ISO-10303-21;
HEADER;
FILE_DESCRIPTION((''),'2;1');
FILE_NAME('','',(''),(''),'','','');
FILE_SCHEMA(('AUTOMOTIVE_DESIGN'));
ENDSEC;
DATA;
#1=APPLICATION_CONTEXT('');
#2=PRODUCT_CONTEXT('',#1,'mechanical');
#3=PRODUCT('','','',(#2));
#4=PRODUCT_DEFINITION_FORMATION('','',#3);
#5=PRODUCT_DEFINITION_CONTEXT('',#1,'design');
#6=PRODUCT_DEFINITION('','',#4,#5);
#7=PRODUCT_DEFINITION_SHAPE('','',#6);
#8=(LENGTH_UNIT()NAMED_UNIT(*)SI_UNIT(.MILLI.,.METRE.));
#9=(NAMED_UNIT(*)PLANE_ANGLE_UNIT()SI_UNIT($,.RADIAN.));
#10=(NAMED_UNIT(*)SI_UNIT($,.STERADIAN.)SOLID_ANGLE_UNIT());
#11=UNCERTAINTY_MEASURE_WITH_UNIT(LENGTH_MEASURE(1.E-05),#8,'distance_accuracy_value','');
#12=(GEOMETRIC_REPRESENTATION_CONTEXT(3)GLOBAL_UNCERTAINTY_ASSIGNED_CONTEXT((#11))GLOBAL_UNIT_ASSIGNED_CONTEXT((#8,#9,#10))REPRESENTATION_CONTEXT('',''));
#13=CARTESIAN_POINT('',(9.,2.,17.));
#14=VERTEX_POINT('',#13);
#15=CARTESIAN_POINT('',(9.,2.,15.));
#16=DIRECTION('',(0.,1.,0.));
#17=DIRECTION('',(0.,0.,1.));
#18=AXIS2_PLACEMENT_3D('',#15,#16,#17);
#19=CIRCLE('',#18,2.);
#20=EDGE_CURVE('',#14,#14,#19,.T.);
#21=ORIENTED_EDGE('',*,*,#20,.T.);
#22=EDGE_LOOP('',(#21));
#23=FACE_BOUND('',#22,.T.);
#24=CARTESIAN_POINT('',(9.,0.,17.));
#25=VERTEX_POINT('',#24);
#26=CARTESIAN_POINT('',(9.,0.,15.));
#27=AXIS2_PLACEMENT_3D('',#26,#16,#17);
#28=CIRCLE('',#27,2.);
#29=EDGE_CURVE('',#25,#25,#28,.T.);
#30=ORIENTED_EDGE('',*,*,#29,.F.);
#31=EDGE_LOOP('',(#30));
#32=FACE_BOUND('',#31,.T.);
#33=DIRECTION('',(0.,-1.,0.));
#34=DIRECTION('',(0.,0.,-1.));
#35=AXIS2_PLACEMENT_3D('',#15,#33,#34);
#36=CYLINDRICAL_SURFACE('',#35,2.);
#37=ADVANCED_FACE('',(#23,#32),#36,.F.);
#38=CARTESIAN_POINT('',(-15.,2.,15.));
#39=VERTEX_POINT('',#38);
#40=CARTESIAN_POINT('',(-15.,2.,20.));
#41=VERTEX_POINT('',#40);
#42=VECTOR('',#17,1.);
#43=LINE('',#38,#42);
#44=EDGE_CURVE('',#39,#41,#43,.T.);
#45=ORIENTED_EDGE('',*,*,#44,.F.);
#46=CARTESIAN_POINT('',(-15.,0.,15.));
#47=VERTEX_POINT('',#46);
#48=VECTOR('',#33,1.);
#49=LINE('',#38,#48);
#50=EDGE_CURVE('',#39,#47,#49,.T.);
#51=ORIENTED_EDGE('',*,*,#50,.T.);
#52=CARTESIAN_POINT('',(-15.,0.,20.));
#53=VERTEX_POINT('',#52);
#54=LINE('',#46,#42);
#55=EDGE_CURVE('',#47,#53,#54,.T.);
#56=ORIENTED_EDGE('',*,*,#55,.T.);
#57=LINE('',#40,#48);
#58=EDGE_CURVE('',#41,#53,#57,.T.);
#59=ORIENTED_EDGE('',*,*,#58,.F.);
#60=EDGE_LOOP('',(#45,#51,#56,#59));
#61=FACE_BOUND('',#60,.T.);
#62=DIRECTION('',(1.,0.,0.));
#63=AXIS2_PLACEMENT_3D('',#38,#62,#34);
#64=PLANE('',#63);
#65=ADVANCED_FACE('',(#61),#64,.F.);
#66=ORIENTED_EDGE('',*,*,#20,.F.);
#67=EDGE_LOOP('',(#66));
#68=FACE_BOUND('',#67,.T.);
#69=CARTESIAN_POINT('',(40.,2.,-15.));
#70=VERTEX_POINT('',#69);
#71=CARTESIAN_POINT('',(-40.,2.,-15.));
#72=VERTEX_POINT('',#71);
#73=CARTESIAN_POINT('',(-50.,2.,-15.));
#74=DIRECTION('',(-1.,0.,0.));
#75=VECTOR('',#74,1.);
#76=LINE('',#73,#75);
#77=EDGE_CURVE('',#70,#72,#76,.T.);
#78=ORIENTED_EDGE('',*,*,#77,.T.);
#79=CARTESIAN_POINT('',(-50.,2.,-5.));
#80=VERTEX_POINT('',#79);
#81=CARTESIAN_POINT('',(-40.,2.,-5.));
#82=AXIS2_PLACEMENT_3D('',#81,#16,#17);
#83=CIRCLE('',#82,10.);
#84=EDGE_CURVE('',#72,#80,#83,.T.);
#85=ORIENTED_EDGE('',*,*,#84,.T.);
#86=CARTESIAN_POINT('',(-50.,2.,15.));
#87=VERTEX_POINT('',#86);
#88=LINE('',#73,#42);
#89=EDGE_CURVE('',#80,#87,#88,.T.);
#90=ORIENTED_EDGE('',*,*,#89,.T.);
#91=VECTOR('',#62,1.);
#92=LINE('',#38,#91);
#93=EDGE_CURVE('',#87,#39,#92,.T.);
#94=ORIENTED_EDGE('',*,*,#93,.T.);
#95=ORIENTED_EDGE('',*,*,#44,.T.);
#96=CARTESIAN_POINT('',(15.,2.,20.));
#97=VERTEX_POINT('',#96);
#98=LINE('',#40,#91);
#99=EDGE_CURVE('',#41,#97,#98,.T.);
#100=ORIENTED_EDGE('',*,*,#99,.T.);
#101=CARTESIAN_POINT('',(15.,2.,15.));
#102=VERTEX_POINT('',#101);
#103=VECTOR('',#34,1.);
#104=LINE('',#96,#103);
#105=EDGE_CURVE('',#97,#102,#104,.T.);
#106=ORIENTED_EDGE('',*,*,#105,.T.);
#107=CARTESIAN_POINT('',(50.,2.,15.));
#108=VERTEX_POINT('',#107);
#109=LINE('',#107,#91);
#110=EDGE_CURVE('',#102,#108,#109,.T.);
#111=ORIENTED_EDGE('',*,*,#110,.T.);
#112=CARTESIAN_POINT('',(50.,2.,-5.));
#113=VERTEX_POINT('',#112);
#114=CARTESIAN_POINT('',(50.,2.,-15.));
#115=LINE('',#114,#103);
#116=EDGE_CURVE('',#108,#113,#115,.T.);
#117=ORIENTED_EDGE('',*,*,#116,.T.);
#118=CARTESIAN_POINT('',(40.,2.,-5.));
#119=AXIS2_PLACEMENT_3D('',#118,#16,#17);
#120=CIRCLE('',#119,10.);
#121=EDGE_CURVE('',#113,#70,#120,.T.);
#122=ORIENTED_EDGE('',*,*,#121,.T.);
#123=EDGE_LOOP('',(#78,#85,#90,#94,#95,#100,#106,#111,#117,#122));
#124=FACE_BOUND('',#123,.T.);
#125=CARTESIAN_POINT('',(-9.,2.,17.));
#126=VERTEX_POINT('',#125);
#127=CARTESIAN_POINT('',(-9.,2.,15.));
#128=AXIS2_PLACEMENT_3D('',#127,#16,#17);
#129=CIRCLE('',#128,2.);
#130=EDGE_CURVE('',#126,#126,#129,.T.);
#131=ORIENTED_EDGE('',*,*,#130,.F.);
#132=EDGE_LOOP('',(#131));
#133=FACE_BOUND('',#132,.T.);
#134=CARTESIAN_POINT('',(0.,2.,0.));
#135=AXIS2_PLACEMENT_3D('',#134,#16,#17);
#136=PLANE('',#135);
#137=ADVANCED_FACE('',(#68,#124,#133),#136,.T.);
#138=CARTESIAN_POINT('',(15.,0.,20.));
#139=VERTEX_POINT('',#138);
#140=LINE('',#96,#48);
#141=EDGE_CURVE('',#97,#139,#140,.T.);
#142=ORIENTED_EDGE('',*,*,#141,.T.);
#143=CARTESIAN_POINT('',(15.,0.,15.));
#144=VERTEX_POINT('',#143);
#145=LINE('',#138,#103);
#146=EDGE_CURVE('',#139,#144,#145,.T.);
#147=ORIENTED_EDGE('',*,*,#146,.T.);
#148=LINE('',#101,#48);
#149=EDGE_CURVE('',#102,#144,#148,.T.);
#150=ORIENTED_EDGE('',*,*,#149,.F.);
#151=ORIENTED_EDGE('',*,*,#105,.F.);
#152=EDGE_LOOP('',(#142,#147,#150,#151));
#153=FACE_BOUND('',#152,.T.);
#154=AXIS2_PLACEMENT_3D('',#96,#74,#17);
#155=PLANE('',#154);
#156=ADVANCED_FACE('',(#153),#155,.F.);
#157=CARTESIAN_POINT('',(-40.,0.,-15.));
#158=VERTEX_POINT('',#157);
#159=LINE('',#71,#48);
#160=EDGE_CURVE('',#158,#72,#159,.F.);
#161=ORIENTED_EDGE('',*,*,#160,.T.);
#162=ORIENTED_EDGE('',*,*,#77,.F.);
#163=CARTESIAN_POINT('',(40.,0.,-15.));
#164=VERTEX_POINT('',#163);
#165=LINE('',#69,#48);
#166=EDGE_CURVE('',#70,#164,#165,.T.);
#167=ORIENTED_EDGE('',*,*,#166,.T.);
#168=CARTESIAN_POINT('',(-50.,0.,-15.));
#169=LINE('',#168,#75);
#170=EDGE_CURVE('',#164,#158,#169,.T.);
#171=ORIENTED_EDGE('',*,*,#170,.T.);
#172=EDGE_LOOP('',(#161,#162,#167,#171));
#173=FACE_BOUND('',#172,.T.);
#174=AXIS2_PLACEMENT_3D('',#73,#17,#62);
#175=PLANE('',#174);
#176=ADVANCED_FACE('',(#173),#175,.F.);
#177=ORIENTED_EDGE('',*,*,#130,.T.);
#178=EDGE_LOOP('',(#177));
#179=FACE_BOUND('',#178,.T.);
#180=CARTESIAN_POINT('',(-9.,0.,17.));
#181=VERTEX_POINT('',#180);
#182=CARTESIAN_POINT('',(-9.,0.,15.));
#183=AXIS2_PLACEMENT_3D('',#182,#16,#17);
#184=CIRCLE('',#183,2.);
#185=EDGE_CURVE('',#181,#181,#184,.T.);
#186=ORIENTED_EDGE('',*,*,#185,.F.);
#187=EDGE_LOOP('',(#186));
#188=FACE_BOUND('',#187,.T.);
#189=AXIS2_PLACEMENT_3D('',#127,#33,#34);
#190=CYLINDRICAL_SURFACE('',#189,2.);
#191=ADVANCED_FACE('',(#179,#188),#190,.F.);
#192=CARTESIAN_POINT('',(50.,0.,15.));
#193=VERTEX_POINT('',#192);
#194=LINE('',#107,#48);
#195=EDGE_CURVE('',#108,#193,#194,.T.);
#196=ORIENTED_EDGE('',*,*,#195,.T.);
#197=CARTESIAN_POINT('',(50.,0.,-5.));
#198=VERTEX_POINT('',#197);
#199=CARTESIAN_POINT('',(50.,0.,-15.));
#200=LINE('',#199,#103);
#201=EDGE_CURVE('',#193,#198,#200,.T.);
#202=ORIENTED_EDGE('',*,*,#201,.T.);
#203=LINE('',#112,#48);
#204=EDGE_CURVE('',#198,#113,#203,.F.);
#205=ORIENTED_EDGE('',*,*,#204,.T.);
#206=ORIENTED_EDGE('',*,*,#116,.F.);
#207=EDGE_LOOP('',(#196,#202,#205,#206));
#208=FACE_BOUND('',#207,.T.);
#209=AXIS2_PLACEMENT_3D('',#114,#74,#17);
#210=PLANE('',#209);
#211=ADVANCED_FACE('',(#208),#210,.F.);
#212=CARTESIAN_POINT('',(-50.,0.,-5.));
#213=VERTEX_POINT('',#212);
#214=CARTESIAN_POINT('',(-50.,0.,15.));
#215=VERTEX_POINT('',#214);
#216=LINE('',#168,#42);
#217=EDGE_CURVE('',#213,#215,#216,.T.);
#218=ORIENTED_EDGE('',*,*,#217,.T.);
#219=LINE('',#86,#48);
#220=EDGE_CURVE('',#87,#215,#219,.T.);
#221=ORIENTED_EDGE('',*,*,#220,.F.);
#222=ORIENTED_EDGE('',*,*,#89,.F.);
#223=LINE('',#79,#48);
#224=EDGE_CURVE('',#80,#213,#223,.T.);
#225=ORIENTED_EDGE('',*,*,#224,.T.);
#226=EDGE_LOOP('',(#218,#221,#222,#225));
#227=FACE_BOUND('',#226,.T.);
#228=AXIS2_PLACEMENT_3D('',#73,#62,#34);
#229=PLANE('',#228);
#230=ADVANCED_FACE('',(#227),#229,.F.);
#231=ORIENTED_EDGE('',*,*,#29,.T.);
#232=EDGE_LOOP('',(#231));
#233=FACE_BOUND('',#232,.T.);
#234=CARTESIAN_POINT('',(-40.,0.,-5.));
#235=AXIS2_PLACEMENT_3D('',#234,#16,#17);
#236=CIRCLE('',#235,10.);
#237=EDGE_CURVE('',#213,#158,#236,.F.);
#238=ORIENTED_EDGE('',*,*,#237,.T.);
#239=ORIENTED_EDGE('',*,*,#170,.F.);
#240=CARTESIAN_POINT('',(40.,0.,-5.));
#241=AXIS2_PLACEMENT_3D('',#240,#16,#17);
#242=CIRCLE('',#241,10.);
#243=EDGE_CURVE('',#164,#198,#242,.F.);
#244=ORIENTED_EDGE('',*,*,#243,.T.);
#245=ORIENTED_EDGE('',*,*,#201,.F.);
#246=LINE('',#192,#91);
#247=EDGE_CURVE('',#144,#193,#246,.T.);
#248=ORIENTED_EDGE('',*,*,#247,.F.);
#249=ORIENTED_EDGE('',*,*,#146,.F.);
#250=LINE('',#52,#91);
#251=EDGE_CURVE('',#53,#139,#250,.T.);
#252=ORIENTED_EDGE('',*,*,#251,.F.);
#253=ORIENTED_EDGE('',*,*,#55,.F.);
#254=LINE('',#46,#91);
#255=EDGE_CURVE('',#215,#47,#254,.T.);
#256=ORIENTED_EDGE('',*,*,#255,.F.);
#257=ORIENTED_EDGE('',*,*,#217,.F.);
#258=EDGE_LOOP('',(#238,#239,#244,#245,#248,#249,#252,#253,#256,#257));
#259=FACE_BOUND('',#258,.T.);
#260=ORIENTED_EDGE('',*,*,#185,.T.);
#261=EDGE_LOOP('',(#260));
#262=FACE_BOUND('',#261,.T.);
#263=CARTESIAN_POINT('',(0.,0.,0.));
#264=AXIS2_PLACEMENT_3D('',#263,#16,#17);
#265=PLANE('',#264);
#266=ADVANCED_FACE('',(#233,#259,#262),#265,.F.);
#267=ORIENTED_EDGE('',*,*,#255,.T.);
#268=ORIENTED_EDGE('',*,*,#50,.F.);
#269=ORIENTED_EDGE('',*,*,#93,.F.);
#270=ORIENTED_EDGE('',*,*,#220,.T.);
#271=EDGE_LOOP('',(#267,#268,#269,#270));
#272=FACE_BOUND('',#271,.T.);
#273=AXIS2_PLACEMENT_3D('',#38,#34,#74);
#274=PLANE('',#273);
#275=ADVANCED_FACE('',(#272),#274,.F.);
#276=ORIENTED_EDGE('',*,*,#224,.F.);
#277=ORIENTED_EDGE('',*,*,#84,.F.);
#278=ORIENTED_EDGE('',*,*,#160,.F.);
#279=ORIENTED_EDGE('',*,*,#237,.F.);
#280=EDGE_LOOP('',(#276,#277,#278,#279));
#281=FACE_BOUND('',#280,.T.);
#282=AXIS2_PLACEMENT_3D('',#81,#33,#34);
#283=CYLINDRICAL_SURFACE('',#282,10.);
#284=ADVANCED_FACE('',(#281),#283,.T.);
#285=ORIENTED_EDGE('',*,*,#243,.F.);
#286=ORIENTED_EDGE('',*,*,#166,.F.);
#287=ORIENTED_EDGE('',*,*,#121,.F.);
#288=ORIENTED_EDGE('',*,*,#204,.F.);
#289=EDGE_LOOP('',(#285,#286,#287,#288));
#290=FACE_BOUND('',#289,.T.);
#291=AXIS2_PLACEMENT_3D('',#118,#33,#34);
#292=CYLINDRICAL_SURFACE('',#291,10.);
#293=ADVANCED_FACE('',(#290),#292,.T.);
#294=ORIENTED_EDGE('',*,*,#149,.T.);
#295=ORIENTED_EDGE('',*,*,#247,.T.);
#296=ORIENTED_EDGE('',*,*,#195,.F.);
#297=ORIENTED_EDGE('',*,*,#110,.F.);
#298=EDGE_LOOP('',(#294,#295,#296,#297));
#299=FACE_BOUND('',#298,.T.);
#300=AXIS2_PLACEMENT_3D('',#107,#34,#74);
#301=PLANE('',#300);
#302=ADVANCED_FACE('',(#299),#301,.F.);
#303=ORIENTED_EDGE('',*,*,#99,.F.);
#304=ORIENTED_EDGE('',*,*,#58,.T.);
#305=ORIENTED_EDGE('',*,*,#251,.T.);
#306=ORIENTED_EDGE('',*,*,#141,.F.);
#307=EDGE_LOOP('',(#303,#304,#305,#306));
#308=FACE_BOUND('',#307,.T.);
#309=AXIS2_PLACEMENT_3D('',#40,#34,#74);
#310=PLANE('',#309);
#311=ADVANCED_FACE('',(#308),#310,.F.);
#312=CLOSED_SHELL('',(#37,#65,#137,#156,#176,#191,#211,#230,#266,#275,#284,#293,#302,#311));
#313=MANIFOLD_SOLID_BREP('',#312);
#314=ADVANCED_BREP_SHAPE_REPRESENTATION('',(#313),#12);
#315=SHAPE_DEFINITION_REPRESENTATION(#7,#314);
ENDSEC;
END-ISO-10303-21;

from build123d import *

# Parameters (mm, degrees)
SKETCH1_R           = 2
BOSS_EXTRUDE1_DEPTH = 2
FILLET1_R           = 10


with BuildPart() as part:
    # Sketch1 → Boss-Extrude1 (new body)
    with BuildSketch(Plane(origin=(0, 0, 0), x_dir=(1, 0, 0), z_dir=(0, 1, 0))):
        Polygon((50, 15), (50, -15), (15, -15), (15, -20), (-15, -20), (-15, -15), (-50, -15), (-50, 15), align=None)
        with Locations(Location((-9, -15, 0), (0, 0, 270))):
            Circle(SKETCH1_R, mode=Mode.SUBTRACT)
        with Locations(Location((9, -15, 0), (0, 0, 270))):
            Circle(SKETCH1_R, mode=Mode.SUBTRACT)
    extrude(amount=BOSS_EXTRUDE1_DEPTH)

    # Fillet1
    fillet1_edges = [part.edges().sort_by_distance(p)[0] for p in [
        (-50, 1, -15),
        (50, 1, -15),
    ]]
    fillet(fillet1_edges, radius=FILLET1_R)


solid = part.part
